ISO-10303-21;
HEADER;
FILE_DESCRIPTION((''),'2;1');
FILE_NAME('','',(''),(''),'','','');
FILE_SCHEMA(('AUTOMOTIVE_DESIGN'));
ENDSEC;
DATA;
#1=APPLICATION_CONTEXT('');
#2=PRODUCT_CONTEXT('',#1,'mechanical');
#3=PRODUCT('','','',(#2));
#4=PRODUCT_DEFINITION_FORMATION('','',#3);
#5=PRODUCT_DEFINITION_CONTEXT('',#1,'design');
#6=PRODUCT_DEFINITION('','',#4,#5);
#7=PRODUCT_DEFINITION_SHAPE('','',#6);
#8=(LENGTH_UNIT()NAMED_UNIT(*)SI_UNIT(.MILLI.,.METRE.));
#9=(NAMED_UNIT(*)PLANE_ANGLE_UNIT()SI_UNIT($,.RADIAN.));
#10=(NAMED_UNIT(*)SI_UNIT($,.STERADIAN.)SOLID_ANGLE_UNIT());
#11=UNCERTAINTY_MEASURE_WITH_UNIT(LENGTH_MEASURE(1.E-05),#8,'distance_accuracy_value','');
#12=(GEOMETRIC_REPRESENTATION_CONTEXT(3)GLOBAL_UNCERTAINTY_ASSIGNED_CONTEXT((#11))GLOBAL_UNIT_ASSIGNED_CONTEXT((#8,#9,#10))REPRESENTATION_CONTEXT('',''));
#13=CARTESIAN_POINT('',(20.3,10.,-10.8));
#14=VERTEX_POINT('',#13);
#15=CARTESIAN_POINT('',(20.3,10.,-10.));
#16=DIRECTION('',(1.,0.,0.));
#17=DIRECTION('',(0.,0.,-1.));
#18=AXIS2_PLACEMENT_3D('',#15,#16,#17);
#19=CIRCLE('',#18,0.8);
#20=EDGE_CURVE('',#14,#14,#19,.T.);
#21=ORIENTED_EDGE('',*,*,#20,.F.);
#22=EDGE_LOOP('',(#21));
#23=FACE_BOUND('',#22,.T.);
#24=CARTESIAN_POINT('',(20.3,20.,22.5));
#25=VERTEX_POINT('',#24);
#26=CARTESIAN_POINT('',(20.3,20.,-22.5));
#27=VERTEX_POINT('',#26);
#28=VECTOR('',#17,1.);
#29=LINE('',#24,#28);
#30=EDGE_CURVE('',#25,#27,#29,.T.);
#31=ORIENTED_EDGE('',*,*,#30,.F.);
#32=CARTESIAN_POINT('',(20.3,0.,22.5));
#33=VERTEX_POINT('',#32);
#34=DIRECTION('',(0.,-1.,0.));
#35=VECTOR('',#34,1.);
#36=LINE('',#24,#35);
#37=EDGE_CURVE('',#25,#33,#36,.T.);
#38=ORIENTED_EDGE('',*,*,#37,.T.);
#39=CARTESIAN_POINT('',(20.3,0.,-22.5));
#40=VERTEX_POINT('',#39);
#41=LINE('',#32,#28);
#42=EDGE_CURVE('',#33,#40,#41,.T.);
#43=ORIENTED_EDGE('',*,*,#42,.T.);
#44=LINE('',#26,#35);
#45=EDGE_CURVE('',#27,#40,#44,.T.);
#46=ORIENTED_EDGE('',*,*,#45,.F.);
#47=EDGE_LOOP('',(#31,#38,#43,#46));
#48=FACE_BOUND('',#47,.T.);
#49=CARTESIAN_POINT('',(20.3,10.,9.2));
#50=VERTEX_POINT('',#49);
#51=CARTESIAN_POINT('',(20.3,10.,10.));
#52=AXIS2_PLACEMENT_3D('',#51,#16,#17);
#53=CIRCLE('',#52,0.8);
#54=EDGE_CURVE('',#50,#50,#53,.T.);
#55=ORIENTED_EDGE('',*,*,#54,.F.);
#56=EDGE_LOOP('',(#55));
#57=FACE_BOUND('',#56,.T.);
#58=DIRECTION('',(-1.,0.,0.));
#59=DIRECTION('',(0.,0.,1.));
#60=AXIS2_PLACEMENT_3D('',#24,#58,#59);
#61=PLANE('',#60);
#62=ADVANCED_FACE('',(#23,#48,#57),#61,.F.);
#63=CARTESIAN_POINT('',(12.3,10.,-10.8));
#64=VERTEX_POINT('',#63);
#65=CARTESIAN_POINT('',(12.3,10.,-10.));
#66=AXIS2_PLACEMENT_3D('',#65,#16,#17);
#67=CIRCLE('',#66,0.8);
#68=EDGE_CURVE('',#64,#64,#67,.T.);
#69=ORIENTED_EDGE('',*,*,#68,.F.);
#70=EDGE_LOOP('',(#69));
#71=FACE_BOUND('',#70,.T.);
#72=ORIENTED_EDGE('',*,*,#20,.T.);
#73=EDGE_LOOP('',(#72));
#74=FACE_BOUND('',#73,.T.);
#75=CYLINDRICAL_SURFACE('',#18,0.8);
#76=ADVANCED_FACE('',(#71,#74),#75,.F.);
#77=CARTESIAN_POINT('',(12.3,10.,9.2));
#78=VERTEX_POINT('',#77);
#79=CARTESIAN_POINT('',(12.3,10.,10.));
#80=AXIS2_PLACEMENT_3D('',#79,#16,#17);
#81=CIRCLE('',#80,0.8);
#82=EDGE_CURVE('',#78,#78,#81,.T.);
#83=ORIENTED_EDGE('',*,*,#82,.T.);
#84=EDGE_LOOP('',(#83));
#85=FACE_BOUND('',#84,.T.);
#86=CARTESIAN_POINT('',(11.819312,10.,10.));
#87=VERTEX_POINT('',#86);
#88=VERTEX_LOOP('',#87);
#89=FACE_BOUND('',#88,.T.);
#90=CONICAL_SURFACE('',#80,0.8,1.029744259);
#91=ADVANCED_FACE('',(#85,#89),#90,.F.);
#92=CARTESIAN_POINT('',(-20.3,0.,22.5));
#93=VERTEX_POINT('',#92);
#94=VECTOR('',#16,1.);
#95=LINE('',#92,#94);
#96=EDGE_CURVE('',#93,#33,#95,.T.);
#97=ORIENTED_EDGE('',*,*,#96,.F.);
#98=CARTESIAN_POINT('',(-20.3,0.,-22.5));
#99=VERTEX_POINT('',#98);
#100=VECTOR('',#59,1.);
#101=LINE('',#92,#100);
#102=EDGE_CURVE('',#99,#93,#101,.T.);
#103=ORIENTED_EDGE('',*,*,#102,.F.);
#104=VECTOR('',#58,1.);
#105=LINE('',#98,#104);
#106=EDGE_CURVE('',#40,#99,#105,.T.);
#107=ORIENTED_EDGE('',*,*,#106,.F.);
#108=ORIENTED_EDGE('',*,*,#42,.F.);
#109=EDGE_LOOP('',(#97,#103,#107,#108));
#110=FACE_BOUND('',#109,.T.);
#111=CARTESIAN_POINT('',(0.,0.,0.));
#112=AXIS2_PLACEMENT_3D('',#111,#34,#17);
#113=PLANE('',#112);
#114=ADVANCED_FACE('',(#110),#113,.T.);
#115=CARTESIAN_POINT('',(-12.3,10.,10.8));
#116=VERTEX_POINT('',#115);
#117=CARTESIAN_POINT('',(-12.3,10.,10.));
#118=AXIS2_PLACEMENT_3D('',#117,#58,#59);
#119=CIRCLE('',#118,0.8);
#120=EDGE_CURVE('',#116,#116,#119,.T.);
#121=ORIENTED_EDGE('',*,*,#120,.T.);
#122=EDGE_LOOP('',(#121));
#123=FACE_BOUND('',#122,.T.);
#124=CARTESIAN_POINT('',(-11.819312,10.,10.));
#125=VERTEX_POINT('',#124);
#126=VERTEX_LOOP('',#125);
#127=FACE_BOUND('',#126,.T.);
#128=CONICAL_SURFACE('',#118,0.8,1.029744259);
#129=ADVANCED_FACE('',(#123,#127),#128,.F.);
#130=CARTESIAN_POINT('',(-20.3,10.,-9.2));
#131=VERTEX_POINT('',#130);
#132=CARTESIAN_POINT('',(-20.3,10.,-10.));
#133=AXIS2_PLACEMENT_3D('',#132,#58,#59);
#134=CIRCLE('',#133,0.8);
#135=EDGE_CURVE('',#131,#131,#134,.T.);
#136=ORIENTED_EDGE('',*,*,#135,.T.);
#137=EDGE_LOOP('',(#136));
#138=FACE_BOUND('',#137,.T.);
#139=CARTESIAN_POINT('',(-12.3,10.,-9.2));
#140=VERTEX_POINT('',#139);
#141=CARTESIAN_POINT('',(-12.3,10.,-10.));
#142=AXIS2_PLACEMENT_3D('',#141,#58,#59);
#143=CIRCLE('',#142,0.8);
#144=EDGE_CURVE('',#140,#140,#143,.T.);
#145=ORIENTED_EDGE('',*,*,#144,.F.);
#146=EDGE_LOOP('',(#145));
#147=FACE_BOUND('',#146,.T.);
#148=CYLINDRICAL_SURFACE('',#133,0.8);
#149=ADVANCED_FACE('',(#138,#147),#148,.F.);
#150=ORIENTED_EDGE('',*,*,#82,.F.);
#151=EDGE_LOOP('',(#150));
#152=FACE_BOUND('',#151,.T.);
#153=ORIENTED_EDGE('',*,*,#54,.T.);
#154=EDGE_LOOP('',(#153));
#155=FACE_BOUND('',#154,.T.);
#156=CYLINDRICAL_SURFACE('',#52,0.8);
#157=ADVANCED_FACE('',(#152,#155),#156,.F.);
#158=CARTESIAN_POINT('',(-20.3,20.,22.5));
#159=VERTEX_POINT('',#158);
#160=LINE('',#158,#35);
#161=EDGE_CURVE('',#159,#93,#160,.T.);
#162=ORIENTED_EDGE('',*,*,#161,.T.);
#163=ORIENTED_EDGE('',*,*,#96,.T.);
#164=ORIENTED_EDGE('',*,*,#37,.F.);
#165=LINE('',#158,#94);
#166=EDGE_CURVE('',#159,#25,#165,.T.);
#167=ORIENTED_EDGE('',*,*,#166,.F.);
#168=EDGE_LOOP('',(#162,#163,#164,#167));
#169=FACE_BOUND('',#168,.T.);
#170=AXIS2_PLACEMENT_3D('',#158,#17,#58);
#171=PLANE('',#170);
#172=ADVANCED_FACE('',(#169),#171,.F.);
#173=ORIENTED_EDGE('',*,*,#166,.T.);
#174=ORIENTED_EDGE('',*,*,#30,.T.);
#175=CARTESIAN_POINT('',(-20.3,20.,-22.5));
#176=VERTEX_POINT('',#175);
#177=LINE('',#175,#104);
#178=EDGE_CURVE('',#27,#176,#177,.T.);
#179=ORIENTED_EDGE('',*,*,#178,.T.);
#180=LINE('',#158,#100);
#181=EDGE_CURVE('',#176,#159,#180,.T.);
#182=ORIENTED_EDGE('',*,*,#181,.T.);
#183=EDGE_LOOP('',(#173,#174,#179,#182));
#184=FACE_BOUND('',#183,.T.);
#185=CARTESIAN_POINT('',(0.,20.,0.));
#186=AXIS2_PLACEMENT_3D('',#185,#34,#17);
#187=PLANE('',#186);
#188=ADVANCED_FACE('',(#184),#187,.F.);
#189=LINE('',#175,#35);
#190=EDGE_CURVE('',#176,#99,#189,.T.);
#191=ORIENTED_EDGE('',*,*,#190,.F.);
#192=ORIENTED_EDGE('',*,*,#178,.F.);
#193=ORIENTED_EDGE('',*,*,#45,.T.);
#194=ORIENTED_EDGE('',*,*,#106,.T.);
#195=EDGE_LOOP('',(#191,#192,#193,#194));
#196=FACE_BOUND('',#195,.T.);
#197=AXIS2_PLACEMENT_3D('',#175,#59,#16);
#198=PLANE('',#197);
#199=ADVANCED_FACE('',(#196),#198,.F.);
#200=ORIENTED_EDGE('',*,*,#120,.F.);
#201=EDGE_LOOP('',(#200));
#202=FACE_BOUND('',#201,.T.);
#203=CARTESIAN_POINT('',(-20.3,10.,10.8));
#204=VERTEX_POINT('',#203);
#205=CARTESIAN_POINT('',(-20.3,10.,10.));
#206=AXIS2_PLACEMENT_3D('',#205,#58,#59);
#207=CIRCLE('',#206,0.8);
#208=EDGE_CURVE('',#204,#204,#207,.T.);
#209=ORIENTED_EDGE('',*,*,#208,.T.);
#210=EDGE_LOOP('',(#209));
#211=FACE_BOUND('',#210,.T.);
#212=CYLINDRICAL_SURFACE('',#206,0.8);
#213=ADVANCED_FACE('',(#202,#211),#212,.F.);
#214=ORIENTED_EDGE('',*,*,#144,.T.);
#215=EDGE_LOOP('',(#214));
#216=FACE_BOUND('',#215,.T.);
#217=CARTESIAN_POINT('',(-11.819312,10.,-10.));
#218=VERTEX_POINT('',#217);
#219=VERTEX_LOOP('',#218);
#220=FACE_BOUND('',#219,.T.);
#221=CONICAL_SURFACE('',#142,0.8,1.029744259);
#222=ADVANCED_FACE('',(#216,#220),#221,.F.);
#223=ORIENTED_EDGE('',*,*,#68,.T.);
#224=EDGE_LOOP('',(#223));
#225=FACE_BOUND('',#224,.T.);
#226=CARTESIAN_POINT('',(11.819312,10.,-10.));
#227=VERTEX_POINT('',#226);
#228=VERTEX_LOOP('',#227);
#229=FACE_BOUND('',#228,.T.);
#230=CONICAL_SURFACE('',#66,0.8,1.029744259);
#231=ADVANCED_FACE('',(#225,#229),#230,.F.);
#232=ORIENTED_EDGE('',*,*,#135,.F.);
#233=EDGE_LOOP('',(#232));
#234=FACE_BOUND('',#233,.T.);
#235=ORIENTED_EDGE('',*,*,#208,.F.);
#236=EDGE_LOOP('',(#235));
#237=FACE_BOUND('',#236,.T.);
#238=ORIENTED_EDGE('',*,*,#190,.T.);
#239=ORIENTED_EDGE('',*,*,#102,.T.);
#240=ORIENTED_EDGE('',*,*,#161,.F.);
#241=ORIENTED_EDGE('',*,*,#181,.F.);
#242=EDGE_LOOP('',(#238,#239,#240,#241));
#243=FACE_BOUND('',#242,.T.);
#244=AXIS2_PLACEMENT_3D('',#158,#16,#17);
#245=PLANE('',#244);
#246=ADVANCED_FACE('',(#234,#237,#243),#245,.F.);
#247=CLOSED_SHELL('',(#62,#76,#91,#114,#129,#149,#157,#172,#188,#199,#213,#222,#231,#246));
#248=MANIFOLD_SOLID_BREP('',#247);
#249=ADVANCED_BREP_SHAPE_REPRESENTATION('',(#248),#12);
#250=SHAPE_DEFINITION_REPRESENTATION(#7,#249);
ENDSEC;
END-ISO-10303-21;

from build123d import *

# Parameters (mm, degrees)
SKETCH_1_W                  = 40.6
SKETCH_1_H                  = 45
EXTRUDE_1_DEPTH             = 20
HOLE_WIZARD_M2_1_AT_2_COUNT = 2
HOLE_WIZARD_M2_1_AT_2_PITCH = 20


with BuildPart() as part:
    # 草图1 → 凸台-拉伸1 (new body)
    with BuildSketch(Plane(origin=(0, 0, 0), x_dir=(1, 0, 0), z_dir=(0, 1, 0))):
        Rectangle(SKETCH_1_W, SKETCH_1_H)
    extrude(amount=EXTRUDE_1_DEPTH)

    # 草图3 → M2 螺纹孔的螺纹孔钻头1 (revolve, cut)
    with BuildSketch(Plane(origin=(20.3, 10, 10), x_dir=(0, 0, -1), z_dir=(0, 1, 0))):
        Polygon((0, 0), (0, 8.480688495), (0.8, 8), (0.8, 0), align=None)
    hole_wizard_m2_1 = revolve(axis=Axis((26.65, 10, 10), (-1, 0, 0)), mode=Mode.SUBTRACT)

    # M2 螺纹孔的螺纹孔钻头1 at 2: M2 螺纹孔的螺纹孔钻头1 ×2
    with Locations(*[(0, 0, -i * HOLE_WIZARD_M2_1_AT_2_PITCH) for i in range(1, HOLE_WIZARD_M2_1_AT_2_COUNT)]):
        add(hole_wizard_m2_1, mode=Mode.SUBTRACT)

    # 镜向1: M2 螺纹孔的螺纹孔钻头1 across plane
    add(hole_wizard_m2_1.mirror(Plane(origin=(0, 0, 0), x_dir=(0, 0, 1), z_dir=(1, 0, 0))), mode=Mode.SUBTRACT)

    # 镜向1 copy 1 sketch → 镜向1 copy 1 (revolve, cut)
    with BuildSketch(Plane(origin=(-20.3, 10, -10), x_dir=(0, 0, -1), z_dir=(0, 1, 0))):
        Polygon((0, 0), (0, -8.480688495), (0.8, -8), (0.8, 0), align=None)
    revolve(axis=Axis((-26.65, 10, -10), (-1, 0, 0)), mode=Mode.SUBTRACT)


solid = part.part
